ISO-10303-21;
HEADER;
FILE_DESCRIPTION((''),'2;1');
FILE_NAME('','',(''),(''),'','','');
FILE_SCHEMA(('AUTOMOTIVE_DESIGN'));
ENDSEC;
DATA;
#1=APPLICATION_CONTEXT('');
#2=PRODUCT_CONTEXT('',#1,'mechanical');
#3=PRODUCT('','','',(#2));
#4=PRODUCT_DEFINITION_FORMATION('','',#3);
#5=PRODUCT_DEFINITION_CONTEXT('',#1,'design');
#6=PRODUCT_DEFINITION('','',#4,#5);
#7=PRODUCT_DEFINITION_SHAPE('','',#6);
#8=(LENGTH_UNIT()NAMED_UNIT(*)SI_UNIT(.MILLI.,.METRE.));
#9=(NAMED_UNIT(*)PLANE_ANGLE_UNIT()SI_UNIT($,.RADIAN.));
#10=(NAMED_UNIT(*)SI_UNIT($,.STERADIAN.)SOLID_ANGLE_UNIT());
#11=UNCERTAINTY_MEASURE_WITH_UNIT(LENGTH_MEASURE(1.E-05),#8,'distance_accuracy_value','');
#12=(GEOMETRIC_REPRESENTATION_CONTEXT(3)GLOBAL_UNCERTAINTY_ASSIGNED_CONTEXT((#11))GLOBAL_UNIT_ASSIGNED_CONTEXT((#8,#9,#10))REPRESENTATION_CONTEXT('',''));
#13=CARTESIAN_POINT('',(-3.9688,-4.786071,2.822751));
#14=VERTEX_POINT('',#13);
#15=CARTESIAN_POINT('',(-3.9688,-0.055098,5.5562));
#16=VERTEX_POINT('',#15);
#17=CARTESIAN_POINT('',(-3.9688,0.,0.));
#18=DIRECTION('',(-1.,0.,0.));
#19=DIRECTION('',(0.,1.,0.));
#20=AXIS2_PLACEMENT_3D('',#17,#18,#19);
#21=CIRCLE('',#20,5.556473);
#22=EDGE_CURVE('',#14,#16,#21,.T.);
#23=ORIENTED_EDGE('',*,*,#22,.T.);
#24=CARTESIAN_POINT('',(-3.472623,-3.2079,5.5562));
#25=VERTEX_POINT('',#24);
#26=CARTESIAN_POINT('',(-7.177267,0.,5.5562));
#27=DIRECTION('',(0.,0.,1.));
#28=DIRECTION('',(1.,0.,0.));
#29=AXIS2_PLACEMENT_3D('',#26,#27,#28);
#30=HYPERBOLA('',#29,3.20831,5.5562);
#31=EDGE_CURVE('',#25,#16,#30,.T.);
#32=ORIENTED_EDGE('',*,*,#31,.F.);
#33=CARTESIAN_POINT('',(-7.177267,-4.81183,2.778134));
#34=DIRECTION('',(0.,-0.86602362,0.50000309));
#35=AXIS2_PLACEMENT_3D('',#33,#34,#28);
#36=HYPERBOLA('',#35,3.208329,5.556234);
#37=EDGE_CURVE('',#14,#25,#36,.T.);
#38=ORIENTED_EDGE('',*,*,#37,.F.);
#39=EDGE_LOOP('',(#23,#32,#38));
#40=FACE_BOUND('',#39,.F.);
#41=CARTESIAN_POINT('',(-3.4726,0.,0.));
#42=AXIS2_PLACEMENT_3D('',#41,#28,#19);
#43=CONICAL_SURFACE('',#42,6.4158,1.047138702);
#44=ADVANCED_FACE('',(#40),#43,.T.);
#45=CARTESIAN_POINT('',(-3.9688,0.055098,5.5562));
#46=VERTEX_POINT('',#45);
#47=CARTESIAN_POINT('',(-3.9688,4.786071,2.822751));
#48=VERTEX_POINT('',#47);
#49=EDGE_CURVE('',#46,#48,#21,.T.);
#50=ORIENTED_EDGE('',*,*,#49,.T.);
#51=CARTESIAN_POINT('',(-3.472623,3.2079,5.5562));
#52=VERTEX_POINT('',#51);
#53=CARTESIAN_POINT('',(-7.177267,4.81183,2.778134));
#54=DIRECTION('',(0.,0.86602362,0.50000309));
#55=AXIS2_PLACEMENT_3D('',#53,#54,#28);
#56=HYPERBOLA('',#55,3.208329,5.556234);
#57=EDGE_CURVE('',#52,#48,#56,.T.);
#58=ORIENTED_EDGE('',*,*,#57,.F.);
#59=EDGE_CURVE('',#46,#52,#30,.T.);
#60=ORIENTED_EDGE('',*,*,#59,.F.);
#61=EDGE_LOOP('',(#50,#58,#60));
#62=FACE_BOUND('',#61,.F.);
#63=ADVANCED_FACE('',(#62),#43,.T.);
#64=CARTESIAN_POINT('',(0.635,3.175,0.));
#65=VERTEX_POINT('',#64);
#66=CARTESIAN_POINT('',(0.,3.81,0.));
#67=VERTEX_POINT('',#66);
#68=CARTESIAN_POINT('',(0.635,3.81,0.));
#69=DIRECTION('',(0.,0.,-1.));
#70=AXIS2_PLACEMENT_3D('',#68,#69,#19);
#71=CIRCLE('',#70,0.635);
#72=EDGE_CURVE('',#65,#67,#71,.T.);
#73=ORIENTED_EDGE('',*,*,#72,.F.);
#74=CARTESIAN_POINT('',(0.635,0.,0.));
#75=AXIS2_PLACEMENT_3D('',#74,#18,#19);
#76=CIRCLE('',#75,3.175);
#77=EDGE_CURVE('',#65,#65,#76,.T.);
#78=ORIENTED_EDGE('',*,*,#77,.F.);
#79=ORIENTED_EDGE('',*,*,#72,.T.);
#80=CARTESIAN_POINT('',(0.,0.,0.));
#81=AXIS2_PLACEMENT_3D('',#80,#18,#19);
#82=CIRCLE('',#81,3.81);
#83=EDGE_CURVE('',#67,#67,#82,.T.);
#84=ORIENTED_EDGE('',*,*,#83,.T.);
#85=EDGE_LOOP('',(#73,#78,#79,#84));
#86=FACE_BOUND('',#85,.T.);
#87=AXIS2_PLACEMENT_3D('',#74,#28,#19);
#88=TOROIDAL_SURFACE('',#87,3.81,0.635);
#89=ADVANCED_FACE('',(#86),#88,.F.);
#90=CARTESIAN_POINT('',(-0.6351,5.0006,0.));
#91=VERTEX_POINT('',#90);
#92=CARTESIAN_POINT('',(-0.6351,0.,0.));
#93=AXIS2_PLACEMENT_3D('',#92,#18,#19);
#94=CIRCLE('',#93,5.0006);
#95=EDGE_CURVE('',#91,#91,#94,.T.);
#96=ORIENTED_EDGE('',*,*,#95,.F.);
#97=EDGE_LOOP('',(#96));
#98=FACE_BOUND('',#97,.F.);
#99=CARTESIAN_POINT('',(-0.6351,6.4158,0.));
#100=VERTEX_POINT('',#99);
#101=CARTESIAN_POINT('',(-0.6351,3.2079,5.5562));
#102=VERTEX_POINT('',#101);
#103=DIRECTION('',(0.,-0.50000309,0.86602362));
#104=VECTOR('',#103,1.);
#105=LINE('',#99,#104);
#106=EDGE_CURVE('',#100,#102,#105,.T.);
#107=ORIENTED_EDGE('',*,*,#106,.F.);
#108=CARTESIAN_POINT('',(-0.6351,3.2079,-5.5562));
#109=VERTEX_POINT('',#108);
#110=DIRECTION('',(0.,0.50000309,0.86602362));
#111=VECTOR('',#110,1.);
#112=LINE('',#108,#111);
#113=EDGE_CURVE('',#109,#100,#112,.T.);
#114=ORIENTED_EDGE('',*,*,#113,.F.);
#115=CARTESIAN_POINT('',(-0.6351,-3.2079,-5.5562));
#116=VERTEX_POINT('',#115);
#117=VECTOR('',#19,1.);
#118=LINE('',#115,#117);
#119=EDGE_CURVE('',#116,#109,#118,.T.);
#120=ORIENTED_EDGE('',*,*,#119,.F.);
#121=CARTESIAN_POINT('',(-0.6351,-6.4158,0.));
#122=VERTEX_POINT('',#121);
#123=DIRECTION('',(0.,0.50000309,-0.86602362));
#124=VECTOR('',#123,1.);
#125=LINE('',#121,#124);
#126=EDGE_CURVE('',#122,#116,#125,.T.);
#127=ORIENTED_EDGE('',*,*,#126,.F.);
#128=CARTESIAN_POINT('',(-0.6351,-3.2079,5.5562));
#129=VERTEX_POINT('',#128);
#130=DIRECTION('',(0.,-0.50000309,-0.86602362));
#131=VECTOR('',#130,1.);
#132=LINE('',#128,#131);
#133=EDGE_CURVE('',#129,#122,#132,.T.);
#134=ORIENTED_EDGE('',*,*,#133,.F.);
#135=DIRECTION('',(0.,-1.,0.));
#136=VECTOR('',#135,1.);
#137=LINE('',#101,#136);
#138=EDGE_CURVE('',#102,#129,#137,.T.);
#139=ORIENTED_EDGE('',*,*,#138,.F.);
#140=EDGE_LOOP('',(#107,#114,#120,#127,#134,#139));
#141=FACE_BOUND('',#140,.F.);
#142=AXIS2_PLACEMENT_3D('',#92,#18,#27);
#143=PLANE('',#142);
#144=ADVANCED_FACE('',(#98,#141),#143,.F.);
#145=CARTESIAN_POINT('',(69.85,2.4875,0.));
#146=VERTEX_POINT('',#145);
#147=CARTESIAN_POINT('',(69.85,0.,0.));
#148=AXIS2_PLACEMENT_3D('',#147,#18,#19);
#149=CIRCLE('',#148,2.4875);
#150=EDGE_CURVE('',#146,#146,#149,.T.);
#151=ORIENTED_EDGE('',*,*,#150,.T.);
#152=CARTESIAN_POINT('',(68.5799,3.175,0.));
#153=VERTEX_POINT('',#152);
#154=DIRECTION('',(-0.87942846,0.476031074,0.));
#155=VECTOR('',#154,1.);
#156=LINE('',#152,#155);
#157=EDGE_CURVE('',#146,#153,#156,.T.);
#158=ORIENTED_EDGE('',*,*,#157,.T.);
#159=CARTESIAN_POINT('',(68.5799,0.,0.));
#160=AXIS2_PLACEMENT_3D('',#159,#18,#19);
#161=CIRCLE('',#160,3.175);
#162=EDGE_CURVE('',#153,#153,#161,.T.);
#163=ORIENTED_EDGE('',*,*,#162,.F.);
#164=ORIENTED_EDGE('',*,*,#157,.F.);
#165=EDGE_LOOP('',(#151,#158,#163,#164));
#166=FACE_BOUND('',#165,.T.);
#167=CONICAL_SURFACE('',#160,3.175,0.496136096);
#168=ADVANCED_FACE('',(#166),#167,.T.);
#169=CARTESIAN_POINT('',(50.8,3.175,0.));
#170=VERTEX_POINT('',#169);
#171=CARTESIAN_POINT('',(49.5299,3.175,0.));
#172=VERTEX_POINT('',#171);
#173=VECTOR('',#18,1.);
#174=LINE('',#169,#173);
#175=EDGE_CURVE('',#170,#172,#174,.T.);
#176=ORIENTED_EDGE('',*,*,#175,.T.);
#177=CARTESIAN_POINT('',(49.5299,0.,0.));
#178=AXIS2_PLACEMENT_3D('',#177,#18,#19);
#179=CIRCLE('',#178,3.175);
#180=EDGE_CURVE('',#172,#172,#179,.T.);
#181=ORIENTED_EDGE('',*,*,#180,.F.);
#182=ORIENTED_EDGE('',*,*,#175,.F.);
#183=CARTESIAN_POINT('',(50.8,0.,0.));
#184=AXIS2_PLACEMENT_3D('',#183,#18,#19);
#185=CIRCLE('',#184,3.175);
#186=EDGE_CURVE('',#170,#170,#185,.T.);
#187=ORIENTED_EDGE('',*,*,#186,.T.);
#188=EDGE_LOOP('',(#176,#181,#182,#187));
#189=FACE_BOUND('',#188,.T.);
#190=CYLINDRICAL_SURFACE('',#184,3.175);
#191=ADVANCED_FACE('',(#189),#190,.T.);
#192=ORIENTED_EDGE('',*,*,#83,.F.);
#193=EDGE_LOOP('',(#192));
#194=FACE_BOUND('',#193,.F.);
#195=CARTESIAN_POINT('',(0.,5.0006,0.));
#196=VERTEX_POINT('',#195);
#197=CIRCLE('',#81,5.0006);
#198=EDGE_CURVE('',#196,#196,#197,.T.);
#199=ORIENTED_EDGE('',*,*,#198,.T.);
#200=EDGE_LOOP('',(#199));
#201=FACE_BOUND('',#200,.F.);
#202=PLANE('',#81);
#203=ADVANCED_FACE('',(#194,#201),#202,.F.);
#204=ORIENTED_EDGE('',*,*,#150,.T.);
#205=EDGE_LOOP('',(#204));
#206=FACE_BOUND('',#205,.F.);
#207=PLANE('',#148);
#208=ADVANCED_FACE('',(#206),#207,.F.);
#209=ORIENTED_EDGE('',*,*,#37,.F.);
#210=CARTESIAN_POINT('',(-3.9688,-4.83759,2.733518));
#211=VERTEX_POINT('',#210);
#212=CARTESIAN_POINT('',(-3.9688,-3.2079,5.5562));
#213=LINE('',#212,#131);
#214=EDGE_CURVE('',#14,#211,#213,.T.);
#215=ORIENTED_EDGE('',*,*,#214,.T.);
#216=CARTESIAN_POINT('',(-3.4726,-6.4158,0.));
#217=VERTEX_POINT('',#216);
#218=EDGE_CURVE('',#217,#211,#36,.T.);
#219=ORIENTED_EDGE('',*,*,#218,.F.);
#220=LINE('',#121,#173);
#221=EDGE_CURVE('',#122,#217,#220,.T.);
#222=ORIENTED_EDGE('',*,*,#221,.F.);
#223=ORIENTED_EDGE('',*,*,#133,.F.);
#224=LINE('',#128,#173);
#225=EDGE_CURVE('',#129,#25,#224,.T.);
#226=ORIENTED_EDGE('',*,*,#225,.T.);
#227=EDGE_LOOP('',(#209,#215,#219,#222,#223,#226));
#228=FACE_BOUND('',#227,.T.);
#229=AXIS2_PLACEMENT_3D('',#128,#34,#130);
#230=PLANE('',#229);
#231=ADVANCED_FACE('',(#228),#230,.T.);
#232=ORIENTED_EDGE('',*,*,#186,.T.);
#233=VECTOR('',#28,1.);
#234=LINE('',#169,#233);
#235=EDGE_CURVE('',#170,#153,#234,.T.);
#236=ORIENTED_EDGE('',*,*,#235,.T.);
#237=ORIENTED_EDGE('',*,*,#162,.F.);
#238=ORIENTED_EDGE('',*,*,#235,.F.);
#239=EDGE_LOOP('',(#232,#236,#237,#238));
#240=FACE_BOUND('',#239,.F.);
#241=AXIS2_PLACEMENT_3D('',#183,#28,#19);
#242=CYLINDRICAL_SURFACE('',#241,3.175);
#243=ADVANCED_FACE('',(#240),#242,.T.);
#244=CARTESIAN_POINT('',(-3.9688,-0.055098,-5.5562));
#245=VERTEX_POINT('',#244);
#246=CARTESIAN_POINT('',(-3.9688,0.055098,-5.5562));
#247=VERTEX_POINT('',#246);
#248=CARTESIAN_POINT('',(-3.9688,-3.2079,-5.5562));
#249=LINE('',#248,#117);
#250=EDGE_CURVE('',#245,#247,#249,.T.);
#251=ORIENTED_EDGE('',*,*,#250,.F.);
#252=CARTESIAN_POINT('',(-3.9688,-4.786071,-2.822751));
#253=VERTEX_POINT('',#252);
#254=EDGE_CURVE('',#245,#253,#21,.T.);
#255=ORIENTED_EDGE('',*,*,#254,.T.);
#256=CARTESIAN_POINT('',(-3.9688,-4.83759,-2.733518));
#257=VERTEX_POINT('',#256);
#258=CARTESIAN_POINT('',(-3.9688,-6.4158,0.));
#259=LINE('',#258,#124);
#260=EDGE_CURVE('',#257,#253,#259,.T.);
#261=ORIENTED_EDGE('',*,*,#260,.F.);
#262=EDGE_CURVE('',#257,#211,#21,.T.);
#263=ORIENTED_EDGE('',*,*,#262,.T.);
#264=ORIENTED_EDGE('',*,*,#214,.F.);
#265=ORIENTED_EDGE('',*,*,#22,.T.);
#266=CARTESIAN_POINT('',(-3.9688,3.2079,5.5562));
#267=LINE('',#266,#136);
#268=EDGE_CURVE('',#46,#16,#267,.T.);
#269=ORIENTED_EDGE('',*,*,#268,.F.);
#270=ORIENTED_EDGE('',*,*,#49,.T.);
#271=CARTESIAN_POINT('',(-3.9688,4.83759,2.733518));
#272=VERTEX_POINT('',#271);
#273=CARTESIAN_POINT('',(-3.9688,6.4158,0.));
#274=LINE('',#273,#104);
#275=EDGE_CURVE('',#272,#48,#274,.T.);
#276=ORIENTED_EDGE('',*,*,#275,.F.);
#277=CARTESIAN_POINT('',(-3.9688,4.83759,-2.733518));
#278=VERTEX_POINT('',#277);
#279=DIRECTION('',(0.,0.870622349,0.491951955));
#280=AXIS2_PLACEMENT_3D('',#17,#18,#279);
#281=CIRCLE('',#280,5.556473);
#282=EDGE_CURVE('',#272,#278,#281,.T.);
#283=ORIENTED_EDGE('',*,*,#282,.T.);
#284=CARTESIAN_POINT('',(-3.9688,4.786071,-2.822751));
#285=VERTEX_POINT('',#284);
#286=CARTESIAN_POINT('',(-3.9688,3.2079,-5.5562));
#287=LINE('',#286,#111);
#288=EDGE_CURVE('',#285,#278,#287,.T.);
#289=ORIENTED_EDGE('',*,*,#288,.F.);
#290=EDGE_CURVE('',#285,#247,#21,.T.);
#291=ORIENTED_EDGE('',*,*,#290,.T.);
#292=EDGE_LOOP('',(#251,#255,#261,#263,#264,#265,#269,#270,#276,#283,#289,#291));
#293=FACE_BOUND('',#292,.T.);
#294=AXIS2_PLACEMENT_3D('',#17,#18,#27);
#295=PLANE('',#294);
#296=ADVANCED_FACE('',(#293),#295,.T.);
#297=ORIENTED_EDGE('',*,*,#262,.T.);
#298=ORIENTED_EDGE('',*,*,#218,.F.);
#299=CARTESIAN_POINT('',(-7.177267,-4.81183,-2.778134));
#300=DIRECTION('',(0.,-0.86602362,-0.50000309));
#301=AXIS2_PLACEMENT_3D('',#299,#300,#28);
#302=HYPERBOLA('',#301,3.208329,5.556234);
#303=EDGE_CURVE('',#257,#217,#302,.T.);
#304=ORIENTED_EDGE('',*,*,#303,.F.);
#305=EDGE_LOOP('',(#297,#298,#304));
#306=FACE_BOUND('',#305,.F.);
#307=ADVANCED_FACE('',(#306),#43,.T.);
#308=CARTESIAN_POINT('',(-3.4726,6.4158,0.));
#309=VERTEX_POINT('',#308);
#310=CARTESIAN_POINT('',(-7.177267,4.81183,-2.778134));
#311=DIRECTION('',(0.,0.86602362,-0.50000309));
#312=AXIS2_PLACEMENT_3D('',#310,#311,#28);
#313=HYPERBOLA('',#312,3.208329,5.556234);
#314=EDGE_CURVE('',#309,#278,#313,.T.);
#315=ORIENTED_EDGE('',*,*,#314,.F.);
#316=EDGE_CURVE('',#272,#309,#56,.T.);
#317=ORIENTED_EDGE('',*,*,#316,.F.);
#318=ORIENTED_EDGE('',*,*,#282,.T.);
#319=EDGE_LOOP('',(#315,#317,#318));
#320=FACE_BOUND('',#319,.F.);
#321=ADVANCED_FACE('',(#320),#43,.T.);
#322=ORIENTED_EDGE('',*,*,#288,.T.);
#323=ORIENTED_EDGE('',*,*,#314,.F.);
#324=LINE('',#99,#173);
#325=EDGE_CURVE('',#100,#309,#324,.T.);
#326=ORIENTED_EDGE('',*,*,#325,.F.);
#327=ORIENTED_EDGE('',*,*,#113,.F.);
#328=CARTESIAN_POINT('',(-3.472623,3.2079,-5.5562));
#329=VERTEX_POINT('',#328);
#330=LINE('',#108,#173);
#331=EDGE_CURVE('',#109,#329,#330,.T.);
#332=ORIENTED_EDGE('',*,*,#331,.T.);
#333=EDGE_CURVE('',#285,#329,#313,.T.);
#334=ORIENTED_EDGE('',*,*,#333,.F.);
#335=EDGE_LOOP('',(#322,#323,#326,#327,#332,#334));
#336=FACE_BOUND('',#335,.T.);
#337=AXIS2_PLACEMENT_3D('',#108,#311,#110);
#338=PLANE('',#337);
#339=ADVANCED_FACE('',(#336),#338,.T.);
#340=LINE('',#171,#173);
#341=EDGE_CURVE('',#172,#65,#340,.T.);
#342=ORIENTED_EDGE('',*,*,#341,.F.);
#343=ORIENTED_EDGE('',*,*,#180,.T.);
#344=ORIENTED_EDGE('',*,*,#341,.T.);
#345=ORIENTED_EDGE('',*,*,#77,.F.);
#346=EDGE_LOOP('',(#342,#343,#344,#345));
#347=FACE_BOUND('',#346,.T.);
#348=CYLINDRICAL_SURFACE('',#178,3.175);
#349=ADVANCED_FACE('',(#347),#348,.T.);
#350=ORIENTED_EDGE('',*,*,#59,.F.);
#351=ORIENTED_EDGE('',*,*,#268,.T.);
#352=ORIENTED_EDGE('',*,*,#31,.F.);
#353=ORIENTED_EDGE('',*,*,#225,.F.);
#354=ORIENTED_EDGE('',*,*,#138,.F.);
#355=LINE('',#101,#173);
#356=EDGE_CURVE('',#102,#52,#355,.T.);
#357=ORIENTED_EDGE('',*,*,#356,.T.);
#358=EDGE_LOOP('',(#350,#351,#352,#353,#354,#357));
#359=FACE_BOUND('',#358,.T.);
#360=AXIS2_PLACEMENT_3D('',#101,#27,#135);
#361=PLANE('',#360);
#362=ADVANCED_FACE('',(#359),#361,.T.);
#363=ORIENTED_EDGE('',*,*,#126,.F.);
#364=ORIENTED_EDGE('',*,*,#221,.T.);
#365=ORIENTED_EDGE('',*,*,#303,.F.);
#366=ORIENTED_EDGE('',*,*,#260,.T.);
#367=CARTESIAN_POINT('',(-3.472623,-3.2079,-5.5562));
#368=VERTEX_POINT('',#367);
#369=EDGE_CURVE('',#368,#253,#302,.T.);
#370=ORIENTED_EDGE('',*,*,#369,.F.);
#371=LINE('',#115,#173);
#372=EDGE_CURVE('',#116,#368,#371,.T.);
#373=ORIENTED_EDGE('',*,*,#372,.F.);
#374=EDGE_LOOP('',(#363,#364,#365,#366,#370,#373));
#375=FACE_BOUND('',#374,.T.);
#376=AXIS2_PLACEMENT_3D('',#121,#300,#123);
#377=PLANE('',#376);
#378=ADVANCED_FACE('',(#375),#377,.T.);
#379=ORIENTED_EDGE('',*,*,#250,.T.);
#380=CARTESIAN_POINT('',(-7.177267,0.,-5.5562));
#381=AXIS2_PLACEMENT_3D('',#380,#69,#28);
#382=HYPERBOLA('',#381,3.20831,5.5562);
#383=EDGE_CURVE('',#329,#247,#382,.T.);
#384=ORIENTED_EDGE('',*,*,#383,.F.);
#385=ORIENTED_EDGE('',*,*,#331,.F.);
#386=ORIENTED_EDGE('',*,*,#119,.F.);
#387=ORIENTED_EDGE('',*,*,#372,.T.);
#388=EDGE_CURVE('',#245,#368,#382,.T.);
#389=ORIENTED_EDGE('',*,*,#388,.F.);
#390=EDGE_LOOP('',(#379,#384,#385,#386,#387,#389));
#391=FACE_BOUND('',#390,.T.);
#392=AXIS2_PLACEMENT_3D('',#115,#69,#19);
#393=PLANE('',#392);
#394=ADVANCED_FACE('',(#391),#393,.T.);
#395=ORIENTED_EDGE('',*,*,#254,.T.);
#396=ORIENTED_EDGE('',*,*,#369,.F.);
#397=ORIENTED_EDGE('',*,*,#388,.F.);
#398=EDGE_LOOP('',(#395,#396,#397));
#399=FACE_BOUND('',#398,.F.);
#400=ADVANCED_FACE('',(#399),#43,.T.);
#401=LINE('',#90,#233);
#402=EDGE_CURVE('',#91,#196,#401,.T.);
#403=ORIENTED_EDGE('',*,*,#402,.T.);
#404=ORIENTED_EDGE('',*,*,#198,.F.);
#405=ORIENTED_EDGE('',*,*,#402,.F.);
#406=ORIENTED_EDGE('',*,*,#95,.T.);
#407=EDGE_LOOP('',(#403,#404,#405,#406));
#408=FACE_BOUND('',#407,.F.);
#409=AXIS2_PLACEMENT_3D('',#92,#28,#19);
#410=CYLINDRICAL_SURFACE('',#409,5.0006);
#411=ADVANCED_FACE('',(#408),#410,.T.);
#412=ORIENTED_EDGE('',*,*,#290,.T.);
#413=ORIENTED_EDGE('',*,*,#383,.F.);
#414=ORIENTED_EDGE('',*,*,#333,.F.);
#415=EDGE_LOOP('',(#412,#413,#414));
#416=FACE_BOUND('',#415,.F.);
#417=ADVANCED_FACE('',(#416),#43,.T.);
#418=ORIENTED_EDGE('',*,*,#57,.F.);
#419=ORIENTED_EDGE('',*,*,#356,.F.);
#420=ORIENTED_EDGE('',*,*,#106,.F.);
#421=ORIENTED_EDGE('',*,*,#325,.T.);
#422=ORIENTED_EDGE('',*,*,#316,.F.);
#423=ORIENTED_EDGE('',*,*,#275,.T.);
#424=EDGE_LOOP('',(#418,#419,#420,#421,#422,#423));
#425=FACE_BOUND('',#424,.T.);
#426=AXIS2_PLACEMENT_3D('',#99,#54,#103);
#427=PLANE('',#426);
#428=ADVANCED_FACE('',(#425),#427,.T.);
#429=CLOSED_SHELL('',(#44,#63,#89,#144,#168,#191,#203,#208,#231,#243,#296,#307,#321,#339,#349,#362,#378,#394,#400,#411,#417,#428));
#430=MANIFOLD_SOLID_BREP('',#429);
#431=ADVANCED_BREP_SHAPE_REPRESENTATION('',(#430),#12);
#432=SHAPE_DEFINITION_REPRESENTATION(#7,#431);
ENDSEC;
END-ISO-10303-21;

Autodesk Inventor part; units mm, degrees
ref_plane "YZ Plane" through (0, 0, 0) normal (1, 0, 0) x (0, 1, 0)
ref_plane "XZ Plane" through (0, 0, 0) normal (0, 1, 0) x (-1, 0, 0)
sketch "Sketch1" plane through (0, 0, 0) normal (0, 0, 1) x (1, 0, 0)
  line L0 (0, 5.0006) -> (0, 3.175)
  line L1 (50.8, 3.175) -> (69.85, 3.175)
  line L2 (69.85, 3.175) -> (69.85, 0)
  line L3 (69.85, 0) -> (-0.6351, 0)
  line L4 (-14.7321, 0) -> (83.947, 0) projected
  line L5 (-0.6351, 0) -> (-0.6351, 5.0006)
  line L6 (-0.6351, 5.0006) -> (0, 5.0006)
  line L7 (50.8, 3.175) -> (49.5299, 3.175)
  line L8 (49.5299, 3.175) -> (0, 3.175)
  line L9 (0, -1.0001) -> (0, 6.0007) projected
  dimension "d0" = 69.85
  dimension "d1" = 19.05
  dimension "d2" = 6.35
  dimension "d9" = 0.6351
  dimension "d10" = 10.0013
  dimension "d13" = 1.2701
  dimension "d14" = 6.35
revolve "Body" add sketch "Sketch1" angle 360 about axis through (69.85, 0, 0) along (-1, 0, 0)
sketch "Sketch2" plane through (-0.6351, 0, 0) normal (-1, 0, 0) x (0, 0, 1)
  line L0 (0, 6.4158) -> (5.5562, 3.2079)
  line L1 (5.5562, 3.2079) -> (5.5562, -3.2079)
  line L2 (5.5562, -3.2079) -> (0, -6.4158)
  line L3 (0, -6.4158) -> (-5.5562, -3.2079)
  line L4 (-5.5562, -3.2079) -> (-5.5562, 3.2079)
  line L5 (-5.5562, 3.2079) -> (0, 6.4158)
  point P0 (0, 0)
  point P1 (0, 0)
  dimension "d11" = 11.1125
extrude "Head" add sketch "Sketch2" along normal blind 3.3337
sketch "Sketch4" plane through (0, 0, 0) normal (0, 0, 1) x (1, 0, 0)
  line L0 (-3.9689, 5.5563) -> (-3.9689, 6.4158)
  line L1 (-3.9689, 6.4158) -> (-3.4726, 6.4158)
  line L2 (-3.4726, 6.4158) -> (-3.9689, 5.5563)
  line L3 (-4.6356, 0) -> (0.0317, 0) projected
  line L4 (-0.6351, 6.4158) -> (-3.9688, 6.4158) projected
  line L5 (-3.9688, 3.2079) -> (-3.9688, 6.4158) projected
  dimension "d5" = 30
  dimension "d19" = 11.1125
revolve "Chamfer1" cut sketch "Sketch4" angle 360 about axis through (-10, 0, 0) along (1, 0, 0)
thread "Thread" size "1/4-20 UNC" class "2A" standard "ANSI Unified Screw Threads" length 19.05
chamfer "Chamfer2" distance 0.6875 distance2 1.2701 1 edges at (69.85, -3.175, 0) measured on face at (69.85, -0.7922, -0.7018)
ref_plane "Work Plane1" through (1.525, 0, 0) normal (0, 0, 1) x (1, 0, 0)
fillet "Fillet2" radius 0.635 1 edges at (0, -3.175, 0)
equation "\"d0\" = NLG"
equation "\"d1\" = GEL"
equation "\"d2\" = GD"
equation "\"d10\" = SD2"
equation "\"d14\" = BDM"
equation "\"d11\" = SW"
equation "\"d3\" = KOH - SD"
equation "\"d5\" = ANG1"
equation "\"d19\" = SW0"
equation "\"d63\" = R"
equation "\"d15\" = GEL"
equation "\"d6\" = -0.5 * SPD + 0.5 * GD"
equation "\"NLG\" = 69.85"
equation "\"GD\" = NND"
equation "\"BDM\" = 6.35"
equation "\"KOH\" = 3.96875"
equation "\"GEL\" = 19.05"
equation "\"SW\" = 11.1125"
equation "\"SW0\" = SW"
equation "\"SPD\" = 4.9751"
equation "\"SD2\" = 10.00125"
equation "\"SD\" = 0.635"
equation "\"ANG1\" = 30deg"
equation "\"GAL\" = 1.27"
equation "\"GUL\" = 1.27"
equation "\"R\" = 0.635"
equation "\"d62\" = -NLG - SD + GUL"
equation "\"THREADDIA\" = 6.35"
equation "\"TOA\" = 30deg"
equation "\"RR\" = 0.254"
equation "\"NND\" = 6.35"
equation "\"E0\" = 1.155 * SW"
equation "\"SLG\" = 0"
equation "\"GD1\" = 4.9751"
properties part number "ANSI B18.2.1 - 1/4-20 UNC - 2.75" material "Steel, Mild"
